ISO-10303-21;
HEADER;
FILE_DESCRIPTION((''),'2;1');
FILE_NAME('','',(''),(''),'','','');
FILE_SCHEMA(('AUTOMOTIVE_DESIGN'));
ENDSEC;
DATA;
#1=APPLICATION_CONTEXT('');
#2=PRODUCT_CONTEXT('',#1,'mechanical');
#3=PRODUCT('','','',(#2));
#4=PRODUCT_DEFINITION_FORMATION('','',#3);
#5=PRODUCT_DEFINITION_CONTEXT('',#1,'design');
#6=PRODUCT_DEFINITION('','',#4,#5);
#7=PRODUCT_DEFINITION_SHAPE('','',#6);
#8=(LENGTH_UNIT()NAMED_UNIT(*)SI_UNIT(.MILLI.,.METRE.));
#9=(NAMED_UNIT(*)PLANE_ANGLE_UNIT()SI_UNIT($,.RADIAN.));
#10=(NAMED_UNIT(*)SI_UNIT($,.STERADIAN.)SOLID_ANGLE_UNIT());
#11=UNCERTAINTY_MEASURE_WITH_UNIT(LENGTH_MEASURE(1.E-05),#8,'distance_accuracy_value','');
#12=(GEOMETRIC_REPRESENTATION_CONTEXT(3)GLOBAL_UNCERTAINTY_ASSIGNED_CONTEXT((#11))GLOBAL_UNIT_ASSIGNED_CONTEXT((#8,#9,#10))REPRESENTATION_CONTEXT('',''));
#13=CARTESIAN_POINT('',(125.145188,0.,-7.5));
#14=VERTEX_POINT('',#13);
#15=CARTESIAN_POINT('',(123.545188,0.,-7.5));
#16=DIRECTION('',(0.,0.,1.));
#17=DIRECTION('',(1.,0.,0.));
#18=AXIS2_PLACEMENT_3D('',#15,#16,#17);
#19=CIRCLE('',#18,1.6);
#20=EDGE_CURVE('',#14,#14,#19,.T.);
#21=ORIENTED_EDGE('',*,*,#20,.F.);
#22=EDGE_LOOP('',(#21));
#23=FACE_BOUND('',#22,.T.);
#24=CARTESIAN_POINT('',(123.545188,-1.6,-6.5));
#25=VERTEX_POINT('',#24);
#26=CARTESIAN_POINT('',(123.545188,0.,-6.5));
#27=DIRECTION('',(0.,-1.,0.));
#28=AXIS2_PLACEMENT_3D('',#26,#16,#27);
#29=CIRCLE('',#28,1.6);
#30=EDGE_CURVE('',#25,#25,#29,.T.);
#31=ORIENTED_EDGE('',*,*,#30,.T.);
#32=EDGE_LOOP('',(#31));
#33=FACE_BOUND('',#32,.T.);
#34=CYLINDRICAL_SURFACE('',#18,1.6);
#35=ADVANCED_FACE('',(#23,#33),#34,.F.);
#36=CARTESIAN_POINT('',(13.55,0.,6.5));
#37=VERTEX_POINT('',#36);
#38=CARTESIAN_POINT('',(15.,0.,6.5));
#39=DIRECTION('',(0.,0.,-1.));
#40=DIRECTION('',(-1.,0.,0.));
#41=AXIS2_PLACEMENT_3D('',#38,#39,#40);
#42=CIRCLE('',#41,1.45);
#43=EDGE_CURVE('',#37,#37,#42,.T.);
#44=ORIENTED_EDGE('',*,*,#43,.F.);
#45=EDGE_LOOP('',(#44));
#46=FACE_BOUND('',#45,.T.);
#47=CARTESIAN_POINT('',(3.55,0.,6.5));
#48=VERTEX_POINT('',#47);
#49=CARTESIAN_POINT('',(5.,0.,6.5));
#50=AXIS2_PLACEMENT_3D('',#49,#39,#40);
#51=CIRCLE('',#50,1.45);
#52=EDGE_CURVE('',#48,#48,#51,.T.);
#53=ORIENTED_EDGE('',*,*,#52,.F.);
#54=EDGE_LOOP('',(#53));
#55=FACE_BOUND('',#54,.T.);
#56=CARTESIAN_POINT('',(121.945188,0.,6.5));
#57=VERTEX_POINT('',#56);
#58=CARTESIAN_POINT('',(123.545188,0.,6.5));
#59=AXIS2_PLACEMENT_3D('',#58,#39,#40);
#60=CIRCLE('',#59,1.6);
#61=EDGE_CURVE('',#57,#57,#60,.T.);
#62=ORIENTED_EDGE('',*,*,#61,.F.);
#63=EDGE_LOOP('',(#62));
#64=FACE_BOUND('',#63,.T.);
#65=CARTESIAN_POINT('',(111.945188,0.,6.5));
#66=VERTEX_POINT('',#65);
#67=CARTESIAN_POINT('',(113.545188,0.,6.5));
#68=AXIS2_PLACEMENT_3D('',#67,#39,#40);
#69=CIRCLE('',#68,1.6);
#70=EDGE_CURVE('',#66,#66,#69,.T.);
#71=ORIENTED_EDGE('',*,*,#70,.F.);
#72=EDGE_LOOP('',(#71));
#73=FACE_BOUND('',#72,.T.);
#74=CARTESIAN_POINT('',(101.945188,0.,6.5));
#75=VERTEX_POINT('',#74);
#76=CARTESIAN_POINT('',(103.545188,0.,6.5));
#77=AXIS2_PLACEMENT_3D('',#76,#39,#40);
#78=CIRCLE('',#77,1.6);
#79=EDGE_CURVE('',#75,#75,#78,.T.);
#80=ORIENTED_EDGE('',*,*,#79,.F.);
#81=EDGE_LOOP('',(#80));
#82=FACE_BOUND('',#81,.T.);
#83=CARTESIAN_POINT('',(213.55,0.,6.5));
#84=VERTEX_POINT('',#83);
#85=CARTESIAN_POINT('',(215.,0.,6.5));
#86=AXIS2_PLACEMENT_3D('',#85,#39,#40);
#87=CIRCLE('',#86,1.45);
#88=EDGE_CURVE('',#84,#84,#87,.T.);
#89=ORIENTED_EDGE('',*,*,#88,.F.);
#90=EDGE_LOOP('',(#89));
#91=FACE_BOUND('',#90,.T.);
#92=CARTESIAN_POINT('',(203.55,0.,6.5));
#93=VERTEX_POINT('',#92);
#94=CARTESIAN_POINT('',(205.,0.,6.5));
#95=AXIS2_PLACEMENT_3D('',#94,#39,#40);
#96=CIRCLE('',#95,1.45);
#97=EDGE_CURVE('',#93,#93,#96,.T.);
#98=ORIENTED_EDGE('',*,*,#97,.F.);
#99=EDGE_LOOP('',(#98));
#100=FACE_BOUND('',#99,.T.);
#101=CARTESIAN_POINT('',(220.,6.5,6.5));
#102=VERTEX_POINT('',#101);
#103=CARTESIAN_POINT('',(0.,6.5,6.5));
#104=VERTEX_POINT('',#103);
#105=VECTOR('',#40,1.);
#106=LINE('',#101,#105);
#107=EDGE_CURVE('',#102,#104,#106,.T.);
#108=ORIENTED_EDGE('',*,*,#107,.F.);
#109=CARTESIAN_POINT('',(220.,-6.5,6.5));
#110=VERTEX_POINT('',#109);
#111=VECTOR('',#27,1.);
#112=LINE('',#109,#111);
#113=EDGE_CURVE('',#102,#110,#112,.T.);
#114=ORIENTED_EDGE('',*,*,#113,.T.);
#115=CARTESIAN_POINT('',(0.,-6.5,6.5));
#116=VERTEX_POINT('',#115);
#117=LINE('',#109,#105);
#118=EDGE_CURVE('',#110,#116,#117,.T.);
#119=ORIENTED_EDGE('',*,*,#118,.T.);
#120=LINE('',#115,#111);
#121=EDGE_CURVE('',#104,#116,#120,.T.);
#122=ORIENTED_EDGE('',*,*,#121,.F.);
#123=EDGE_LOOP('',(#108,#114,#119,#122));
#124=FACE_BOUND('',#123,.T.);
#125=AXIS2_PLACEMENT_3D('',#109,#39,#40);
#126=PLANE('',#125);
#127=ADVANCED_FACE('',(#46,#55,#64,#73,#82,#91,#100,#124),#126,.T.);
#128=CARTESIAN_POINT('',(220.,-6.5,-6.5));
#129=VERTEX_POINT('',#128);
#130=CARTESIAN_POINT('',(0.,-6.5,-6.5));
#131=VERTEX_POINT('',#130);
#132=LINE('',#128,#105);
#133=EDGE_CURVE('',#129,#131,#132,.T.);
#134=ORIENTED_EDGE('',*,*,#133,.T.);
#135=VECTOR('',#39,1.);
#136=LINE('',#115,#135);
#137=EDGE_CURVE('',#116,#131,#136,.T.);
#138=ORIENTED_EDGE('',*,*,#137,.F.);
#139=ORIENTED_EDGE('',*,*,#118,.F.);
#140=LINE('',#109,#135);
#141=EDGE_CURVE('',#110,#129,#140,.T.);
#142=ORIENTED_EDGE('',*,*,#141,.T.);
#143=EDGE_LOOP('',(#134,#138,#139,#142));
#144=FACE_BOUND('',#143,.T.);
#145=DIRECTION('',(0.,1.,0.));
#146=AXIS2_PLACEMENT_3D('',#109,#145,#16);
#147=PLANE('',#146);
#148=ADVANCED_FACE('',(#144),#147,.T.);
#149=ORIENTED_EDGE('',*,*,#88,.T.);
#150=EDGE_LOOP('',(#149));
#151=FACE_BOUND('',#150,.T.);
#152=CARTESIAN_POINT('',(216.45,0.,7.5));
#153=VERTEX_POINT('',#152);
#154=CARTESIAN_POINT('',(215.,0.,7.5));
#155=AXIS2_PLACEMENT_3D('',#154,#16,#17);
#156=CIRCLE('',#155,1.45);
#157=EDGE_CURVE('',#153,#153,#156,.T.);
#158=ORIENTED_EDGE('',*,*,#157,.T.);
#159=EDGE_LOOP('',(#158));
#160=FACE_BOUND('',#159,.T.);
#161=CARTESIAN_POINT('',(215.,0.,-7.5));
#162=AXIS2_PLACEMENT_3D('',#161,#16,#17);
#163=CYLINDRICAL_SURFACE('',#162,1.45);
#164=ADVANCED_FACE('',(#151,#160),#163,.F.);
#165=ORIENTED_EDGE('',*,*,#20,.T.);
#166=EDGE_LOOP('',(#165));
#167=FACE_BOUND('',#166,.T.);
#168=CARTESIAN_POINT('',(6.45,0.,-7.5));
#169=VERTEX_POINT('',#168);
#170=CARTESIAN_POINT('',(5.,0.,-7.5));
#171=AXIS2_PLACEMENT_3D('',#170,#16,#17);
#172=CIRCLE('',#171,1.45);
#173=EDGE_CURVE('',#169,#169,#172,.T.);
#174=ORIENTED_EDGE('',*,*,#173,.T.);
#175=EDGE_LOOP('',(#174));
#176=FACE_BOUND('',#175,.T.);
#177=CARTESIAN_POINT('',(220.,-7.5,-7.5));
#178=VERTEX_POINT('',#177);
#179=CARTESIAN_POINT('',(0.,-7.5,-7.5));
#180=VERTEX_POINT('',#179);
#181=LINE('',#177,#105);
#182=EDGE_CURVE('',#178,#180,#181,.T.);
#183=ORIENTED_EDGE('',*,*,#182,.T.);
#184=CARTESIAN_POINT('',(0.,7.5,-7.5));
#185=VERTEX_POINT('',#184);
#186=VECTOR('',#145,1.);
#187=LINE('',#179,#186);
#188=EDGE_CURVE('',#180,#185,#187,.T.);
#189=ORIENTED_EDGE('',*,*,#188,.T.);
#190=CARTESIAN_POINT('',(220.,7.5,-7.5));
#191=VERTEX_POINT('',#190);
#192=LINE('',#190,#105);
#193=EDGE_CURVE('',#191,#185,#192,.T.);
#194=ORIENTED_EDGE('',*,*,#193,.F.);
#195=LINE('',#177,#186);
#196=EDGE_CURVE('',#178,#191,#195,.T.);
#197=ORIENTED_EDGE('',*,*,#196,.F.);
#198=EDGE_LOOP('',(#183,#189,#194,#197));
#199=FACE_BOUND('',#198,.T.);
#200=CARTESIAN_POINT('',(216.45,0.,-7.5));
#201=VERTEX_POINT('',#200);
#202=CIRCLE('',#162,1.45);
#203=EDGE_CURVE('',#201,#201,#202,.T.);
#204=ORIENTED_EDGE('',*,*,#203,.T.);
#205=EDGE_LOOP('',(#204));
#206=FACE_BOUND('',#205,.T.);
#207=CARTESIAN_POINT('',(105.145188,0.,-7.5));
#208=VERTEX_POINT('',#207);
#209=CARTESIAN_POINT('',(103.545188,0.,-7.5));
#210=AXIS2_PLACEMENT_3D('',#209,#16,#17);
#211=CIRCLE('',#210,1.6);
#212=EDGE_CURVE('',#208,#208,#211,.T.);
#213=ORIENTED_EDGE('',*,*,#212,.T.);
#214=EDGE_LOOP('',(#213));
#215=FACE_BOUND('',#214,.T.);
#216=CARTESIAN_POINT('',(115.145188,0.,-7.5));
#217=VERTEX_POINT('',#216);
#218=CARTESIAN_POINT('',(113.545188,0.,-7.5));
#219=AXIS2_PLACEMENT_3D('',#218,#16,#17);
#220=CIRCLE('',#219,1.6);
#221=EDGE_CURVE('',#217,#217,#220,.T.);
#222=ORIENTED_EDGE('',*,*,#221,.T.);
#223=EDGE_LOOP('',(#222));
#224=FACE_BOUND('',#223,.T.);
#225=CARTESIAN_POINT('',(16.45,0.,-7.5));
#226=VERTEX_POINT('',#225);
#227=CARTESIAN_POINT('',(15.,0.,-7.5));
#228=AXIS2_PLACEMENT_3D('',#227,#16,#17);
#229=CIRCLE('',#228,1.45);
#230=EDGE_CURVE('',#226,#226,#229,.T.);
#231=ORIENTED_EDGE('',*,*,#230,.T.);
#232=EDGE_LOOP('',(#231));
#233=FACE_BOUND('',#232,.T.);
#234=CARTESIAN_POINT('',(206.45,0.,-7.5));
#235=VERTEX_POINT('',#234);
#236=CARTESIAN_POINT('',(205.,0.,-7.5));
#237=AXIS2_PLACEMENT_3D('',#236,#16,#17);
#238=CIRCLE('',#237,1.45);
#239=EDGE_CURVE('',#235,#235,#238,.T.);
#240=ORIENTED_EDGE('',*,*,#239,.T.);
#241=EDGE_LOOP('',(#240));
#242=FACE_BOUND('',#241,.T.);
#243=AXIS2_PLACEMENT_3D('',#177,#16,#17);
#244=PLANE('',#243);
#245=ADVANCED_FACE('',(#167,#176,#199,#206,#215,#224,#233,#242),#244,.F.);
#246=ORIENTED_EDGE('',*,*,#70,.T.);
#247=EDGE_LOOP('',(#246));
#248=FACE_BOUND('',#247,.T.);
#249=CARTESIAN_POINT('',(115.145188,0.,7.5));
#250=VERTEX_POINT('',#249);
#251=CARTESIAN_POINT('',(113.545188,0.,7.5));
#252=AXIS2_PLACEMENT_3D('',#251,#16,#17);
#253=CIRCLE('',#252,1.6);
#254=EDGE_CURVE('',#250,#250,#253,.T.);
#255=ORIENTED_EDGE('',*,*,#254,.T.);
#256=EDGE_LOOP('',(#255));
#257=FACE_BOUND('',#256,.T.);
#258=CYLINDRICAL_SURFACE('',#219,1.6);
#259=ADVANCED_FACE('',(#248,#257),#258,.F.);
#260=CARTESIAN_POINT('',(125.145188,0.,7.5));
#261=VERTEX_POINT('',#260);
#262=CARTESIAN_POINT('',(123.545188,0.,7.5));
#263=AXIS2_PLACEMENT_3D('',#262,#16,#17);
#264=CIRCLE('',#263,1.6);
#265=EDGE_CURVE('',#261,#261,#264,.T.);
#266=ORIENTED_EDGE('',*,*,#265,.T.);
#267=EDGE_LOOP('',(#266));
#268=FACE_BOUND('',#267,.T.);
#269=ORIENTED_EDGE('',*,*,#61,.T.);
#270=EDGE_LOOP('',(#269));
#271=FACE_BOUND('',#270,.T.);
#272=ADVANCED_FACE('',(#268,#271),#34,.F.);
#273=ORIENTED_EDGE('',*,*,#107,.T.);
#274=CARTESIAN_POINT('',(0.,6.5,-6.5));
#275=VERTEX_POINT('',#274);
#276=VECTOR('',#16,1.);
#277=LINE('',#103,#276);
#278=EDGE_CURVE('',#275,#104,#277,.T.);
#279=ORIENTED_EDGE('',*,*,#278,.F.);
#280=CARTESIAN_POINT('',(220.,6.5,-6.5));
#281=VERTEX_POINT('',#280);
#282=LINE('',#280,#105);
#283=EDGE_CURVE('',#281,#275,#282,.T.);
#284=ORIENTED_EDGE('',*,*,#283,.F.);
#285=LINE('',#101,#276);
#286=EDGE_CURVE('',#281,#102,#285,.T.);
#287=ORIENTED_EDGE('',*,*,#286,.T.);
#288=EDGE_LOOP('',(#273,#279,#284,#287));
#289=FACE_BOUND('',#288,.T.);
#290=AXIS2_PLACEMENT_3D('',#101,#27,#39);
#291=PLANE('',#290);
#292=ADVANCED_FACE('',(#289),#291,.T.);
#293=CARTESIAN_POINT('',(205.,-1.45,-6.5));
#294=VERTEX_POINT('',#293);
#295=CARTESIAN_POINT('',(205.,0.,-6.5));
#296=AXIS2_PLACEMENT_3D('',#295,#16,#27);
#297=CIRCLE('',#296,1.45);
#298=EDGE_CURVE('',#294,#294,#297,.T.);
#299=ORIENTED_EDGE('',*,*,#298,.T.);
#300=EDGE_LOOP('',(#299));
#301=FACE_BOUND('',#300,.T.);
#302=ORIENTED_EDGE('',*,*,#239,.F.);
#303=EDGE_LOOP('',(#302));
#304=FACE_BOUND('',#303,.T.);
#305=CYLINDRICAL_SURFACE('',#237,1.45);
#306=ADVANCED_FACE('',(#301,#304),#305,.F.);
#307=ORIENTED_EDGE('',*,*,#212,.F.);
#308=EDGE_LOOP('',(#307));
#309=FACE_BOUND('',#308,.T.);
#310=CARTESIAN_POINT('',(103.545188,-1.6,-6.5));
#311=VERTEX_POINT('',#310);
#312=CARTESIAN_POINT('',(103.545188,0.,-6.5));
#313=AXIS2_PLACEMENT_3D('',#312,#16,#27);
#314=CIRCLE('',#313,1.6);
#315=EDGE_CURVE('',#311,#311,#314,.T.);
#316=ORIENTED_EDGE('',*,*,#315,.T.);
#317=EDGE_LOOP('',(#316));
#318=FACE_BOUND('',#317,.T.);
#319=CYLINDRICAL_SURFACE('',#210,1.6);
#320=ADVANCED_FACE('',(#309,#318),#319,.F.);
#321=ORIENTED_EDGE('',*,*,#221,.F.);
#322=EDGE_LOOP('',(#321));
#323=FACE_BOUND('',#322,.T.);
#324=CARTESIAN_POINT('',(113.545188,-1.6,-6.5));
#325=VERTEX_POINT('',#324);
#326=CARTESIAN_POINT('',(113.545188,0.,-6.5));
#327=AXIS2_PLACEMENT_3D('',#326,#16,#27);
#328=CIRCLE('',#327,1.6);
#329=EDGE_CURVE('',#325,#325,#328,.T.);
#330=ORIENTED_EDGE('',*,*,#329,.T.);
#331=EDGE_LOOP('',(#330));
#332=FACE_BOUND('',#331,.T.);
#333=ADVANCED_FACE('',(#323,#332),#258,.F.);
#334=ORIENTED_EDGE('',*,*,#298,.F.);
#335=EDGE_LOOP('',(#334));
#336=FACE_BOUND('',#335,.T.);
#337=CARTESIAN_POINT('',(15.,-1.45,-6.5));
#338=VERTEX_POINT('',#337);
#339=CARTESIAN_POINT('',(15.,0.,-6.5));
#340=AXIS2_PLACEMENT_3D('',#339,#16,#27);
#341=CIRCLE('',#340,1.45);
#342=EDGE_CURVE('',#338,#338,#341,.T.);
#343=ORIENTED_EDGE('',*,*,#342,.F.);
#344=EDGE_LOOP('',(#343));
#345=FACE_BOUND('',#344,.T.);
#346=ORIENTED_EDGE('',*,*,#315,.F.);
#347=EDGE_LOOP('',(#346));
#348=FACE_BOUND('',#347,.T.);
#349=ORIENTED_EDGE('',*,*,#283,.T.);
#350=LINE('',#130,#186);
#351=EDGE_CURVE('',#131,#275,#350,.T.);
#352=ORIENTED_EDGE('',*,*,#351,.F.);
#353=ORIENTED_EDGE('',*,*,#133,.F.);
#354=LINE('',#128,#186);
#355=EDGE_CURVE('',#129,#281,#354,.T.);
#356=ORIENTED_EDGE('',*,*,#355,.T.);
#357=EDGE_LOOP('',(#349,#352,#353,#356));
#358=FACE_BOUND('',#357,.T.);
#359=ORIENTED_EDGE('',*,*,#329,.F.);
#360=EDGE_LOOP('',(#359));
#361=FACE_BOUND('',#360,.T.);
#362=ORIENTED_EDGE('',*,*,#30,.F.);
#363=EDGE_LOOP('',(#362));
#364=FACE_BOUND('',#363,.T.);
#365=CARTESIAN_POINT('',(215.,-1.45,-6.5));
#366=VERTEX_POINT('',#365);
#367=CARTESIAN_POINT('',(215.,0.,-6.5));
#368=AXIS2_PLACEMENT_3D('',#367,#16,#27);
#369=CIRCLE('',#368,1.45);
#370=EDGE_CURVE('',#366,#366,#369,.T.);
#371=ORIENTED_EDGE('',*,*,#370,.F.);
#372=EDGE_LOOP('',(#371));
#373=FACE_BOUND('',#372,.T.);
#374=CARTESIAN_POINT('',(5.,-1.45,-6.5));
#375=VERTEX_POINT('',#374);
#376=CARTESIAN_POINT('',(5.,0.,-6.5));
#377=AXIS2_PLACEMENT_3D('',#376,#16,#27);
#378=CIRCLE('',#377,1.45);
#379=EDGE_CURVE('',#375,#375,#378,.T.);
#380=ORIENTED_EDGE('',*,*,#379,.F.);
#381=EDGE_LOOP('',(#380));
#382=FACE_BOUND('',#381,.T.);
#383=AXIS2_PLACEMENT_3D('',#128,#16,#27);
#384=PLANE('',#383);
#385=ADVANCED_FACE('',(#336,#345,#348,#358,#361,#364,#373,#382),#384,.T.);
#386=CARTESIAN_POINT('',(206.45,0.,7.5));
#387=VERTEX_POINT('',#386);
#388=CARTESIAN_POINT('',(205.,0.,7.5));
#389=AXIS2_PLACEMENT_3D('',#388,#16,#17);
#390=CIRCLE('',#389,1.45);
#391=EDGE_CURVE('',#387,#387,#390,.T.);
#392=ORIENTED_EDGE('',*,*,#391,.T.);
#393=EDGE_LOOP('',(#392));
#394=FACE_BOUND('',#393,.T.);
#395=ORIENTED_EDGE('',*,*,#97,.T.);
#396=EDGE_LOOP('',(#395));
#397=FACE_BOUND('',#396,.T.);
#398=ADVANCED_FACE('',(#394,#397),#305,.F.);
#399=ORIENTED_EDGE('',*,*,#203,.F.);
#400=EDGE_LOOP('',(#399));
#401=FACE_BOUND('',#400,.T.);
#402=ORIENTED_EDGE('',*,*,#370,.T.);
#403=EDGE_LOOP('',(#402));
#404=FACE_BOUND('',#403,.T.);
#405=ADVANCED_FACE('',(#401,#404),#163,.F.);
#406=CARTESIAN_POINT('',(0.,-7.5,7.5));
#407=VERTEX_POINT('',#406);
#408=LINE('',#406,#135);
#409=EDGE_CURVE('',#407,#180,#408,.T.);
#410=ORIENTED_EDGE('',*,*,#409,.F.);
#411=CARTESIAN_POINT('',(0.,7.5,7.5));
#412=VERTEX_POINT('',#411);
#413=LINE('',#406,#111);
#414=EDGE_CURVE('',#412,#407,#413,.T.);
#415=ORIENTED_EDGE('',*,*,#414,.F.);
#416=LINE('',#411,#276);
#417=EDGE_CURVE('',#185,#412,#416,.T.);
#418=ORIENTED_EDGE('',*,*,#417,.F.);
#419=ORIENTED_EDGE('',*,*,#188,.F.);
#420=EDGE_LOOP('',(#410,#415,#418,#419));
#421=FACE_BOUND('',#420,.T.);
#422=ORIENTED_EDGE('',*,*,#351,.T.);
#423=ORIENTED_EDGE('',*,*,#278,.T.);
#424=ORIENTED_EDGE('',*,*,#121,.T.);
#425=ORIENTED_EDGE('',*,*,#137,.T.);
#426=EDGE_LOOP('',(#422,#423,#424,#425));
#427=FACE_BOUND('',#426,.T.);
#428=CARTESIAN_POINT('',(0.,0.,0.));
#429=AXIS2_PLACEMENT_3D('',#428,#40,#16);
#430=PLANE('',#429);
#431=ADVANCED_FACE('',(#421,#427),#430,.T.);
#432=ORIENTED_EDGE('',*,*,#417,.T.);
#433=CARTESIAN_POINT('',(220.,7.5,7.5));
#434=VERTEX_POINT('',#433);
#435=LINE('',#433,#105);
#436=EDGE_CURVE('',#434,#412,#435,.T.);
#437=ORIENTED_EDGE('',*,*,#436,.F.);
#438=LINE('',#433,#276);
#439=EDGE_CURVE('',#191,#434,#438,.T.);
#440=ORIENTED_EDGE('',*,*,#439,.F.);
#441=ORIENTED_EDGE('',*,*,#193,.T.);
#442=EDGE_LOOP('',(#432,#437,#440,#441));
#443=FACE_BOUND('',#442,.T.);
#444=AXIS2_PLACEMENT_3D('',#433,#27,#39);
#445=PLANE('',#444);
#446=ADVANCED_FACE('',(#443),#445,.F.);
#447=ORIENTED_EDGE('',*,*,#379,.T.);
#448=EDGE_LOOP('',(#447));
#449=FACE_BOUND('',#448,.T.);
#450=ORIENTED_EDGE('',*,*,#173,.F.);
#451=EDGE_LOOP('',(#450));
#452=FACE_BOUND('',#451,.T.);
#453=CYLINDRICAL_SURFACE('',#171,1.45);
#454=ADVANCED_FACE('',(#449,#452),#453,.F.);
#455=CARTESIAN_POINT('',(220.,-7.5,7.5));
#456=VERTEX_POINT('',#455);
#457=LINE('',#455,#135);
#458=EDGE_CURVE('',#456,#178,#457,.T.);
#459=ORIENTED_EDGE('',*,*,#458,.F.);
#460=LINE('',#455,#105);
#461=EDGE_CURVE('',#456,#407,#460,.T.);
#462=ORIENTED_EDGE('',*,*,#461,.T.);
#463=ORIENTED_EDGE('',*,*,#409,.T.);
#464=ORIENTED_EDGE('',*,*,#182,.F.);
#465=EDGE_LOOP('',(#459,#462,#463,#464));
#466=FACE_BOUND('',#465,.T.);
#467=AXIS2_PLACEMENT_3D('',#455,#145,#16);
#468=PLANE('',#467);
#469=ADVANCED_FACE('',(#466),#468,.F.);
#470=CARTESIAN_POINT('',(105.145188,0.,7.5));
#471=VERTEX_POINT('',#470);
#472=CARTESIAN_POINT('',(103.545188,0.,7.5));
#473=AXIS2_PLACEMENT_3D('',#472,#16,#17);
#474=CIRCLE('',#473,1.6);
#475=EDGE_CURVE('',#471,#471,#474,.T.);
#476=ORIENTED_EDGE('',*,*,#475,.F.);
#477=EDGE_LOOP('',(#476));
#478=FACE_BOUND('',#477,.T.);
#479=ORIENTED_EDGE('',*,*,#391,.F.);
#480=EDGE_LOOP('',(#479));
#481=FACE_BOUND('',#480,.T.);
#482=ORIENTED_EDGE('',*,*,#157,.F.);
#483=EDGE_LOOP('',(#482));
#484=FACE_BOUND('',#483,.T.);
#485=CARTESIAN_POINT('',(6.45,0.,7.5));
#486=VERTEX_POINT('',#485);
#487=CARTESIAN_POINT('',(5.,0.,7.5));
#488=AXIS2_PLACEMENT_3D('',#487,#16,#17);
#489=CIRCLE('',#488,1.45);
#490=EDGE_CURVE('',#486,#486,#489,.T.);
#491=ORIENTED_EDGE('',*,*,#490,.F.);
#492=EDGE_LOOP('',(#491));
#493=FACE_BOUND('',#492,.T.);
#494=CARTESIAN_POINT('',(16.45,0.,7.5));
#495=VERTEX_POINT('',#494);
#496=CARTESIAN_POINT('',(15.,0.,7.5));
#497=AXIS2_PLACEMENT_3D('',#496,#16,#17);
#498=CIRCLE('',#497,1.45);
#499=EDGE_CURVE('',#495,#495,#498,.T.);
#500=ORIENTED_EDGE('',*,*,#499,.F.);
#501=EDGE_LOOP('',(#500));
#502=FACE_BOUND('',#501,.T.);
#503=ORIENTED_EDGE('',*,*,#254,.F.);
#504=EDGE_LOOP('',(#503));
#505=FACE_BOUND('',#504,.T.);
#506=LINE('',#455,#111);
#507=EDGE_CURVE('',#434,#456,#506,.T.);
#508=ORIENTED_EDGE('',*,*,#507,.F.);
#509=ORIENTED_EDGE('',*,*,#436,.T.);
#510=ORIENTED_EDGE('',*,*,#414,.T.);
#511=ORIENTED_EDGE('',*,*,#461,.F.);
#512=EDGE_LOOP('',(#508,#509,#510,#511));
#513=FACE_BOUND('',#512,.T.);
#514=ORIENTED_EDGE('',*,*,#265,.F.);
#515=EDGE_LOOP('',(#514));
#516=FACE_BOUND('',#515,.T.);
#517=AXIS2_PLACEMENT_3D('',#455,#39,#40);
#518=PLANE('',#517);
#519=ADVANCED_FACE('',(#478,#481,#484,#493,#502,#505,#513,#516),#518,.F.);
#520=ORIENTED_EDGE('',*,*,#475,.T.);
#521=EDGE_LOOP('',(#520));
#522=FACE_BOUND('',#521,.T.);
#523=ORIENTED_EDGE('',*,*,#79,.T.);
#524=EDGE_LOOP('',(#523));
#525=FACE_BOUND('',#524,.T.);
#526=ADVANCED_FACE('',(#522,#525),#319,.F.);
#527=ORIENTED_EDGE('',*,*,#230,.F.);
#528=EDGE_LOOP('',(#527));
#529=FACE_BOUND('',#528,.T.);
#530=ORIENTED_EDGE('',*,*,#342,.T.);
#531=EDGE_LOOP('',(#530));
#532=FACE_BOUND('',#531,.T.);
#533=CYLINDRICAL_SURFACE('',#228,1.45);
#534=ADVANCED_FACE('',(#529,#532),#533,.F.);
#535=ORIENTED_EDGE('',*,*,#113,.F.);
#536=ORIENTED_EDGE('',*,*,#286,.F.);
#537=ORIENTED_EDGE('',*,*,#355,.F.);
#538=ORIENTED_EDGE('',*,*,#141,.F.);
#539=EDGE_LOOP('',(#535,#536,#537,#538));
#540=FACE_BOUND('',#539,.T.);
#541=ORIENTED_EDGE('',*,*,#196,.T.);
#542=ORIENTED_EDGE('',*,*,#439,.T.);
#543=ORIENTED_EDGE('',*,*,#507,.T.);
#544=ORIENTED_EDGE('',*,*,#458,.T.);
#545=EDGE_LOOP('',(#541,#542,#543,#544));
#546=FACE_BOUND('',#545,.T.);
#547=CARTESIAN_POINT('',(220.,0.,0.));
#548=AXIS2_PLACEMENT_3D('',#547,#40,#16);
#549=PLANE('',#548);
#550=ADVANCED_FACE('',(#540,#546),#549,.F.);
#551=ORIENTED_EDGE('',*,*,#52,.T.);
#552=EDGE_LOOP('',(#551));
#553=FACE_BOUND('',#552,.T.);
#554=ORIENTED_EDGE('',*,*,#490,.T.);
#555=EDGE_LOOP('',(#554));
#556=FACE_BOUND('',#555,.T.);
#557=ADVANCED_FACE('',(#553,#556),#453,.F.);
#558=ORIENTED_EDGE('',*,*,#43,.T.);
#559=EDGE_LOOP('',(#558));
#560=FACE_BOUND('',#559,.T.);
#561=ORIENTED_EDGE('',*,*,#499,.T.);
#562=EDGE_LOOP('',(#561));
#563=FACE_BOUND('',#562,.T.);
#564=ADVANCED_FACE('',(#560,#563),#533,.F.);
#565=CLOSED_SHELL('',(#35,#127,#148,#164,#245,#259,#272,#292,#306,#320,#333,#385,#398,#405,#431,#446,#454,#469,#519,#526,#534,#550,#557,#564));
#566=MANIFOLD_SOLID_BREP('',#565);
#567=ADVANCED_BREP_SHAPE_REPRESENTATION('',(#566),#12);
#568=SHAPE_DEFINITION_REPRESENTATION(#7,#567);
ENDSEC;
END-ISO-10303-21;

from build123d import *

# Parameters (mm, degrees)
SKETCH_1_W          = 15
SKETCH_1_H          = 15
SKETCH_1_W_2        = 13
SKETCH_1_H_2        = 13
EXTRUDE_1_DEPTH     = 220
SKETCH_2_R          = 1.45
SKETCH_2_R_2        = 1.6
CUT_EXTRUDE_1_DEPTH = 221.638278637


with BuildPart() as part:
    # 草图1 → 凸台-拉伸1 (new body)
    with BuildSketch(Plane(origin=(0, 0, 0), x_dir=(0, 0, -1), z_dir=(1, 0, 0))):
        Rectangle(SKETCH_1_W, SKETCH_1_H)
        Rectangle(SKETCH_1_W_2, SKETCH_1_H_2, mode=Mode.SUBTRACT)
    extrude(amount=EXTRUDE_1_DEPTH)

    # 草图2 → 切除-拉伸1 (cut, through all)
    with BuildSketch(Plane.XY.offset(7.5)):
        with Locations((215, 0)):
            Circle(SKETCH_2_R)
        with Locations((205, 0)):
            Circle(SKETCH_2_R)
        with Locations((123.545188216, 0)):
            Circle(SKETCH_2_R_2)
        with Locations((113.545188216, 0)):
            Circle(SKETCH_2_R_2)
        with Locations((103.545188216, 0)):
            Circle(SKETCH_2_R_2)
        with Locations((15, 0)):
            Circle(SKETCH_2_R)
        with Locations((5, 0)):
            Circle(SKETCH_2_R)
    extrude(amount=-CUT_EXTRUDE_1_DEPTH, mode=Mode.SUBTRACT)


solid = part.part
